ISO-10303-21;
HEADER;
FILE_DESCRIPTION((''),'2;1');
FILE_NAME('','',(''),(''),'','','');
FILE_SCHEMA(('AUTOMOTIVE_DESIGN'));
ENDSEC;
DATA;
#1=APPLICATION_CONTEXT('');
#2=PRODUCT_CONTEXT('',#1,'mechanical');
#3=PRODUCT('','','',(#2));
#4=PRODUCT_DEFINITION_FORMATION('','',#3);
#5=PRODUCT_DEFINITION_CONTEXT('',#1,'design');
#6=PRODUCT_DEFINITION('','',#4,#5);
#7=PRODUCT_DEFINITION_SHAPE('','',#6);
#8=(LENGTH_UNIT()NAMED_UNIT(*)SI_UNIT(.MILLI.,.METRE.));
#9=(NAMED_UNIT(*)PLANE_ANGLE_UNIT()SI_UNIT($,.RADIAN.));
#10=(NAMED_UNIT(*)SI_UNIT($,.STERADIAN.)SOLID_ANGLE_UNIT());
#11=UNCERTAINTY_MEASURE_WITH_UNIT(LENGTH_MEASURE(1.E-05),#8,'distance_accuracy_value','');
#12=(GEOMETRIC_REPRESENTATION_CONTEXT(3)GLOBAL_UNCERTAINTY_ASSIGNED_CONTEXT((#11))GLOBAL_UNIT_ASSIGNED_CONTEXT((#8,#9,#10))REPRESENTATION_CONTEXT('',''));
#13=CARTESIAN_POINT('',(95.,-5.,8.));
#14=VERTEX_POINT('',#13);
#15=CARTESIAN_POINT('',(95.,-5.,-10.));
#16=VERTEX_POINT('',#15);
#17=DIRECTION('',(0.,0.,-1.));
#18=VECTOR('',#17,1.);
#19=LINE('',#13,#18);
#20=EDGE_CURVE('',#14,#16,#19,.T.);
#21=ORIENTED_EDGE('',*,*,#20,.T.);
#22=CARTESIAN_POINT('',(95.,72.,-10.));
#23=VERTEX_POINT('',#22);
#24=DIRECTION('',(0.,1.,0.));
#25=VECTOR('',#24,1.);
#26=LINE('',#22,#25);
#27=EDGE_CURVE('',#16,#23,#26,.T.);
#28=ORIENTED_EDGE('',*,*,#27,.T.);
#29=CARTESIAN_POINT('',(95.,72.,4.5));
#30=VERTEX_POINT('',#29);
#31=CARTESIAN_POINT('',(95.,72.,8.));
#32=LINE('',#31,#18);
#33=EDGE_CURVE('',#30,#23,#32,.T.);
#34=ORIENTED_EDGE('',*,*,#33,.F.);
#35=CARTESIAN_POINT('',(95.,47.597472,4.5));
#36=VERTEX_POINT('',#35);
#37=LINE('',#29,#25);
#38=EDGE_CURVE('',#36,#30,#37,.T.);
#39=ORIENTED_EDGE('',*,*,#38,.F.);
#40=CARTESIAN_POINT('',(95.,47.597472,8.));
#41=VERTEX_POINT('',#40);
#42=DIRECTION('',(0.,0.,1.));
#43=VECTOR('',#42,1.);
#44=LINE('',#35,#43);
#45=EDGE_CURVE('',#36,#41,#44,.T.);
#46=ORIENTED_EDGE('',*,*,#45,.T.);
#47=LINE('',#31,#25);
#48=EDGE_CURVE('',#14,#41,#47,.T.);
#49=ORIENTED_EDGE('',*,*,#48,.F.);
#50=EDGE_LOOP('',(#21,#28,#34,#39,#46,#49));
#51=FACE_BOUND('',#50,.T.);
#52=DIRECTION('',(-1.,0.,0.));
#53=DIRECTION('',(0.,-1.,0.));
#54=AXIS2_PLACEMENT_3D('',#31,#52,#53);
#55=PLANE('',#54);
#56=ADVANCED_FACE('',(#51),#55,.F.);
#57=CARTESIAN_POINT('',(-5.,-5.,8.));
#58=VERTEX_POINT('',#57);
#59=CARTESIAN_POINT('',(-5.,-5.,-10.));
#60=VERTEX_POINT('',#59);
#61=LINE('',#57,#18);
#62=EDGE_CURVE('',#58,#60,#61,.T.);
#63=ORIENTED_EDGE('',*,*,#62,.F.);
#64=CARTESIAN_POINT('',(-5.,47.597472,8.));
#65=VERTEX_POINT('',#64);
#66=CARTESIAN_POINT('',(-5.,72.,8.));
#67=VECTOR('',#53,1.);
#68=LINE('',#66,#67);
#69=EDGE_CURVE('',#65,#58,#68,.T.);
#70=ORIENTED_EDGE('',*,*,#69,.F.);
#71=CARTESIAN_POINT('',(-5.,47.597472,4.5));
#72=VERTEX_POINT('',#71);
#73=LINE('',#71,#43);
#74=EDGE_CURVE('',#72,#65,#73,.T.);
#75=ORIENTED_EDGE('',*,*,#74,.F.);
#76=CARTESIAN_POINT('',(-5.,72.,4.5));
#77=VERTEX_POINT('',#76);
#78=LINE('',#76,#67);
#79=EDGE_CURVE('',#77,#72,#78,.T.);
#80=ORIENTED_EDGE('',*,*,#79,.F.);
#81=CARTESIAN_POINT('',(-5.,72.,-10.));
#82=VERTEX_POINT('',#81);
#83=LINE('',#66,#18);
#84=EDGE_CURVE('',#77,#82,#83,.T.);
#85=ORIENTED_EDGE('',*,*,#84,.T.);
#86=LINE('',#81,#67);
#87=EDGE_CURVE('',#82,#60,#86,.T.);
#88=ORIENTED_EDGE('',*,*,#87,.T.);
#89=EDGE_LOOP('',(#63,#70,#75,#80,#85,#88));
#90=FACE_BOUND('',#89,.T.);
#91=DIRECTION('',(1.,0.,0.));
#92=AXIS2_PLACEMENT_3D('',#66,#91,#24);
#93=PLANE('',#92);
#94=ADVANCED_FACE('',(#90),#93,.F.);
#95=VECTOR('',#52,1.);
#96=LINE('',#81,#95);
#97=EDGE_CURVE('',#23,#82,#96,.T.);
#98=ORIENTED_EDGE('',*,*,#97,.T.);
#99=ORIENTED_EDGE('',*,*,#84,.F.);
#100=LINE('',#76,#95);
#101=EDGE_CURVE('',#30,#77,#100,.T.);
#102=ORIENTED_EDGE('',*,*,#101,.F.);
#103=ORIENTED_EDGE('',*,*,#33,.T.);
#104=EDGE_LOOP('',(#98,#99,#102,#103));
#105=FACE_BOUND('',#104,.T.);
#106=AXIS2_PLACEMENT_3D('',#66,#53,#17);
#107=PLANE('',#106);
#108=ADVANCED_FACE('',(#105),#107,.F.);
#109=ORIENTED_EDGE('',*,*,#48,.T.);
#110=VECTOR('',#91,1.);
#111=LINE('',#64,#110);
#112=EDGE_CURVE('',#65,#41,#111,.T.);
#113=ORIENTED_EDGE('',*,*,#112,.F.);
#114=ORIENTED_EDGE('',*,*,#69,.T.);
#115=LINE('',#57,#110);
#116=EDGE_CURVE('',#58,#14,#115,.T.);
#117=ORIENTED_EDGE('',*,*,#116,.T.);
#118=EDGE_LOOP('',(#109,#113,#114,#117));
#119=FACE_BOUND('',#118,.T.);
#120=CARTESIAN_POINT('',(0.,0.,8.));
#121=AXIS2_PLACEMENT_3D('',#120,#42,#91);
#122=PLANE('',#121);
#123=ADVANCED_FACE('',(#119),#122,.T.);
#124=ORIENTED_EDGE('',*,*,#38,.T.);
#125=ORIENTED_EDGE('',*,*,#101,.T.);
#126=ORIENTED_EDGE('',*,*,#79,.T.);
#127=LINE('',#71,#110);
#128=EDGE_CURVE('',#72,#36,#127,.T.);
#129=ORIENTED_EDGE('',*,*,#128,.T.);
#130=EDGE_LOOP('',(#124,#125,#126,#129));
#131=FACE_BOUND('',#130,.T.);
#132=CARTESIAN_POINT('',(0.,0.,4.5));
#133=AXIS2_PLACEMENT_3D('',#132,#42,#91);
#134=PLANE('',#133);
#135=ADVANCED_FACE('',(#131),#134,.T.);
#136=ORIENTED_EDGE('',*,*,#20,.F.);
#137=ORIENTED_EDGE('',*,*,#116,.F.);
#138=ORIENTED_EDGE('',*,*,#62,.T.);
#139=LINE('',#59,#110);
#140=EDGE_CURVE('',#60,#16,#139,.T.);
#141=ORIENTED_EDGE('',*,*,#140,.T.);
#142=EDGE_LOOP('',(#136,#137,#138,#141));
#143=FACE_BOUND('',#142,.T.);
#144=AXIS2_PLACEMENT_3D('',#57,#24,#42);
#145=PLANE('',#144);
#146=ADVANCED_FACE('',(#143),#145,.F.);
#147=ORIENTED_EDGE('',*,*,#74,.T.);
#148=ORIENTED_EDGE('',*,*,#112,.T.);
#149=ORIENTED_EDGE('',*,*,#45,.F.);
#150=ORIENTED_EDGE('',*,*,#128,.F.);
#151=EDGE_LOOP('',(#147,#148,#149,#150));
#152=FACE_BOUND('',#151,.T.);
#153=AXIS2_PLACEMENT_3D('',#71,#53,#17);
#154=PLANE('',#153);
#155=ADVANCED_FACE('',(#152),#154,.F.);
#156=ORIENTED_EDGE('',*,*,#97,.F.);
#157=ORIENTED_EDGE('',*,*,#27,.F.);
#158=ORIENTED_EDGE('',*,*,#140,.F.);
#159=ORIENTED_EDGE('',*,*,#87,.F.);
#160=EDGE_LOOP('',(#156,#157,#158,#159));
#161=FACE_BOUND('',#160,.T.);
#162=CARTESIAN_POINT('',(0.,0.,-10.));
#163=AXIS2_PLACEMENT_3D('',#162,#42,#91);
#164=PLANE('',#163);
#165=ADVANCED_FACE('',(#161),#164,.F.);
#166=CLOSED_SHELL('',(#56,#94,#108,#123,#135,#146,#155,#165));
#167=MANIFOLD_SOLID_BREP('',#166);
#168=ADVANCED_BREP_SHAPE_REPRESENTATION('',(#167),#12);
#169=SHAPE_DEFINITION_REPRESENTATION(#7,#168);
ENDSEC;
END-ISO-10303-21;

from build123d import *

# Parameters (mm, degrees)
SKETCH2_W           = 100
SKETCH2_H           = 77
BOSS_EXTRUDE1_DEPTH = 18
SKETCH3_W           = 100
SKETCH3_H           = 24.402527788
CUT_EXTRUDE1_DEPTH  = 3.5


with BuildPart() as part:
    # Sketch2 → Boss-Extrude1 (new body)
    with BuildSketch(Plane.XY.offset(-10)):
        with Locations((45, 33.5)):
            Rectangle(SKETCH2_W, SKETCH2_H)
    extrude(amount=BOSS_EXTRUDE1_DEPTH)

    # Sketch3 → Cut-Extrude1 (cut)
    with BuildSketch(Plane.XY.offset(8)):
        with Locations((45, 59.798736106)):
            Rectangle(SKETCH3_W, SKETCH3_H)
    extrude(amount=-CUT_EXTRUDE1_DEPTH, mode=Mode.SUBTRACT)


solid = part.part
